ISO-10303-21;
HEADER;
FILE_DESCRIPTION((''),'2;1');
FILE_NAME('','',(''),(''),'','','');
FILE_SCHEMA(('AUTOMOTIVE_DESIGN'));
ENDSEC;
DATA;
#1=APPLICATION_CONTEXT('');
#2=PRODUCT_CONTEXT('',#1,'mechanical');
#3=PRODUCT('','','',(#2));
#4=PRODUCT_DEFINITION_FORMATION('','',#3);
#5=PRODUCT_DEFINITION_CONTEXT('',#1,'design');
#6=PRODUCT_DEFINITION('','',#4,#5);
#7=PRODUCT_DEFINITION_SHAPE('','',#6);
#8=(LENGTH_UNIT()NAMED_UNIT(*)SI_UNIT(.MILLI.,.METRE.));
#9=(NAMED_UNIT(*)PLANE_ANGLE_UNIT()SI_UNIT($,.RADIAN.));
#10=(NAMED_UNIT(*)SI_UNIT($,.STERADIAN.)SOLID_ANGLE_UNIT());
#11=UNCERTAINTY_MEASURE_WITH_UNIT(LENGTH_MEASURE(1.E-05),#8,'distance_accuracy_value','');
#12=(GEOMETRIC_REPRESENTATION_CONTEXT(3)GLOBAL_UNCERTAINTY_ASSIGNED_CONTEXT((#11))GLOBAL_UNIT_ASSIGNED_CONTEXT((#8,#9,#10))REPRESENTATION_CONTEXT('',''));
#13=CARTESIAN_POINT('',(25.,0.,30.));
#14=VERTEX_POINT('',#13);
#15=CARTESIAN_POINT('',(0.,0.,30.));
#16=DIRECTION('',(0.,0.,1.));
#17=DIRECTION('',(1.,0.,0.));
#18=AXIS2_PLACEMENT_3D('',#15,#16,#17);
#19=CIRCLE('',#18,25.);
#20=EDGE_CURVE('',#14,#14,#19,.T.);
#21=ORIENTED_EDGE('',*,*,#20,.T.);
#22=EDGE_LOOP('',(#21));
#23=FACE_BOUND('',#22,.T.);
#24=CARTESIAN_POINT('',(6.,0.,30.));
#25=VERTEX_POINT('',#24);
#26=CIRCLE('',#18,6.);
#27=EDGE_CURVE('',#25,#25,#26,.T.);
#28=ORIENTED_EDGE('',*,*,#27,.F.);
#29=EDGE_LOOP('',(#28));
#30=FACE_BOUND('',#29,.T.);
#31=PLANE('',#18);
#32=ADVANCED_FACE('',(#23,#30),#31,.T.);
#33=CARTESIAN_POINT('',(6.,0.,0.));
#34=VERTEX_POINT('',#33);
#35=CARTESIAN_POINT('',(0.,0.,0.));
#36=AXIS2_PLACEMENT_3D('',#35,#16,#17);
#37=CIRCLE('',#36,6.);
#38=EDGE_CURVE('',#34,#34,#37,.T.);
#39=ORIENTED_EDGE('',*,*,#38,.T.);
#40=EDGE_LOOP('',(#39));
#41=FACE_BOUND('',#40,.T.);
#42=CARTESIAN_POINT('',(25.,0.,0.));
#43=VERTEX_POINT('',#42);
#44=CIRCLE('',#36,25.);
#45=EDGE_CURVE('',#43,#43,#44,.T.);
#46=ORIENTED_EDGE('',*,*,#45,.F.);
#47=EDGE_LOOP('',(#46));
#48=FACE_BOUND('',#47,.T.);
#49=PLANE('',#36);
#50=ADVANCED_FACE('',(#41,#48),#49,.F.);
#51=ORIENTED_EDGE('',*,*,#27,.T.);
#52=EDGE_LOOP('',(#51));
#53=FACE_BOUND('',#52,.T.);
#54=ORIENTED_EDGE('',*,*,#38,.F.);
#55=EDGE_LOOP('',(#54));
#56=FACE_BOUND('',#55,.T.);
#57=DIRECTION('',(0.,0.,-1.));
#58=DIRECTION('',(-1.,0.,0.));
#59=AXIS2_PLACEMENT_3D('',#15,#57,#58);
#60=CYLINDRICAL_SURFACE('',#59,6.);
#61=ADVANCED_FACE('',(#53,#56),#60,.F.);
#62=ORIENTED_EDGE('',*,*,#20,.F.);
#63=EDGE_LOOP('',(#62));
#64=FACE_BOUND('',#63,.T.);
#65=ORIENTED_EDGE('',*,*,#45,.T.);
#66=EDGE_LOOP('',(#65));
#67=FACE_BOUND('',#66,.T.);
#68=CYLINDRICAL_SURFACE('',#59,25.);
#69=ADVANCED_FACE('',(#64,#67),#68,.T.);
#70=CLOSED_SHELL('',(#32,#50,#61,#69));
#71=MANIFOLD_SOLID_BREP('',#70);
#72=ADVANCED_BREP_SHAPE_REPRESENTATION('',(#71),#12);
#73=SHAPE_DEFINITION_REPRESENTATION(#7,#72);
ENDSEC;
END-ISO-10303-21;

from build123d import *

# Parameters (mm, degrees)
SKETCH_1_R      = 25
SKETCH_1_R_2    = 6
EXTRUDE_1_DEPTH = 30


with BuildPart() as part:
    # 草图1 → 凸台-拉伸1 (new body)
    with BuildSketch(Plane.XY):
        Circle(SKETCH_1_R)
        Circle(SKETCH_1_R_2, mode=Mode.SUBTRACT)
    extrude(amount=EXTRUDE_1_DEPTH)


solid = part.part
